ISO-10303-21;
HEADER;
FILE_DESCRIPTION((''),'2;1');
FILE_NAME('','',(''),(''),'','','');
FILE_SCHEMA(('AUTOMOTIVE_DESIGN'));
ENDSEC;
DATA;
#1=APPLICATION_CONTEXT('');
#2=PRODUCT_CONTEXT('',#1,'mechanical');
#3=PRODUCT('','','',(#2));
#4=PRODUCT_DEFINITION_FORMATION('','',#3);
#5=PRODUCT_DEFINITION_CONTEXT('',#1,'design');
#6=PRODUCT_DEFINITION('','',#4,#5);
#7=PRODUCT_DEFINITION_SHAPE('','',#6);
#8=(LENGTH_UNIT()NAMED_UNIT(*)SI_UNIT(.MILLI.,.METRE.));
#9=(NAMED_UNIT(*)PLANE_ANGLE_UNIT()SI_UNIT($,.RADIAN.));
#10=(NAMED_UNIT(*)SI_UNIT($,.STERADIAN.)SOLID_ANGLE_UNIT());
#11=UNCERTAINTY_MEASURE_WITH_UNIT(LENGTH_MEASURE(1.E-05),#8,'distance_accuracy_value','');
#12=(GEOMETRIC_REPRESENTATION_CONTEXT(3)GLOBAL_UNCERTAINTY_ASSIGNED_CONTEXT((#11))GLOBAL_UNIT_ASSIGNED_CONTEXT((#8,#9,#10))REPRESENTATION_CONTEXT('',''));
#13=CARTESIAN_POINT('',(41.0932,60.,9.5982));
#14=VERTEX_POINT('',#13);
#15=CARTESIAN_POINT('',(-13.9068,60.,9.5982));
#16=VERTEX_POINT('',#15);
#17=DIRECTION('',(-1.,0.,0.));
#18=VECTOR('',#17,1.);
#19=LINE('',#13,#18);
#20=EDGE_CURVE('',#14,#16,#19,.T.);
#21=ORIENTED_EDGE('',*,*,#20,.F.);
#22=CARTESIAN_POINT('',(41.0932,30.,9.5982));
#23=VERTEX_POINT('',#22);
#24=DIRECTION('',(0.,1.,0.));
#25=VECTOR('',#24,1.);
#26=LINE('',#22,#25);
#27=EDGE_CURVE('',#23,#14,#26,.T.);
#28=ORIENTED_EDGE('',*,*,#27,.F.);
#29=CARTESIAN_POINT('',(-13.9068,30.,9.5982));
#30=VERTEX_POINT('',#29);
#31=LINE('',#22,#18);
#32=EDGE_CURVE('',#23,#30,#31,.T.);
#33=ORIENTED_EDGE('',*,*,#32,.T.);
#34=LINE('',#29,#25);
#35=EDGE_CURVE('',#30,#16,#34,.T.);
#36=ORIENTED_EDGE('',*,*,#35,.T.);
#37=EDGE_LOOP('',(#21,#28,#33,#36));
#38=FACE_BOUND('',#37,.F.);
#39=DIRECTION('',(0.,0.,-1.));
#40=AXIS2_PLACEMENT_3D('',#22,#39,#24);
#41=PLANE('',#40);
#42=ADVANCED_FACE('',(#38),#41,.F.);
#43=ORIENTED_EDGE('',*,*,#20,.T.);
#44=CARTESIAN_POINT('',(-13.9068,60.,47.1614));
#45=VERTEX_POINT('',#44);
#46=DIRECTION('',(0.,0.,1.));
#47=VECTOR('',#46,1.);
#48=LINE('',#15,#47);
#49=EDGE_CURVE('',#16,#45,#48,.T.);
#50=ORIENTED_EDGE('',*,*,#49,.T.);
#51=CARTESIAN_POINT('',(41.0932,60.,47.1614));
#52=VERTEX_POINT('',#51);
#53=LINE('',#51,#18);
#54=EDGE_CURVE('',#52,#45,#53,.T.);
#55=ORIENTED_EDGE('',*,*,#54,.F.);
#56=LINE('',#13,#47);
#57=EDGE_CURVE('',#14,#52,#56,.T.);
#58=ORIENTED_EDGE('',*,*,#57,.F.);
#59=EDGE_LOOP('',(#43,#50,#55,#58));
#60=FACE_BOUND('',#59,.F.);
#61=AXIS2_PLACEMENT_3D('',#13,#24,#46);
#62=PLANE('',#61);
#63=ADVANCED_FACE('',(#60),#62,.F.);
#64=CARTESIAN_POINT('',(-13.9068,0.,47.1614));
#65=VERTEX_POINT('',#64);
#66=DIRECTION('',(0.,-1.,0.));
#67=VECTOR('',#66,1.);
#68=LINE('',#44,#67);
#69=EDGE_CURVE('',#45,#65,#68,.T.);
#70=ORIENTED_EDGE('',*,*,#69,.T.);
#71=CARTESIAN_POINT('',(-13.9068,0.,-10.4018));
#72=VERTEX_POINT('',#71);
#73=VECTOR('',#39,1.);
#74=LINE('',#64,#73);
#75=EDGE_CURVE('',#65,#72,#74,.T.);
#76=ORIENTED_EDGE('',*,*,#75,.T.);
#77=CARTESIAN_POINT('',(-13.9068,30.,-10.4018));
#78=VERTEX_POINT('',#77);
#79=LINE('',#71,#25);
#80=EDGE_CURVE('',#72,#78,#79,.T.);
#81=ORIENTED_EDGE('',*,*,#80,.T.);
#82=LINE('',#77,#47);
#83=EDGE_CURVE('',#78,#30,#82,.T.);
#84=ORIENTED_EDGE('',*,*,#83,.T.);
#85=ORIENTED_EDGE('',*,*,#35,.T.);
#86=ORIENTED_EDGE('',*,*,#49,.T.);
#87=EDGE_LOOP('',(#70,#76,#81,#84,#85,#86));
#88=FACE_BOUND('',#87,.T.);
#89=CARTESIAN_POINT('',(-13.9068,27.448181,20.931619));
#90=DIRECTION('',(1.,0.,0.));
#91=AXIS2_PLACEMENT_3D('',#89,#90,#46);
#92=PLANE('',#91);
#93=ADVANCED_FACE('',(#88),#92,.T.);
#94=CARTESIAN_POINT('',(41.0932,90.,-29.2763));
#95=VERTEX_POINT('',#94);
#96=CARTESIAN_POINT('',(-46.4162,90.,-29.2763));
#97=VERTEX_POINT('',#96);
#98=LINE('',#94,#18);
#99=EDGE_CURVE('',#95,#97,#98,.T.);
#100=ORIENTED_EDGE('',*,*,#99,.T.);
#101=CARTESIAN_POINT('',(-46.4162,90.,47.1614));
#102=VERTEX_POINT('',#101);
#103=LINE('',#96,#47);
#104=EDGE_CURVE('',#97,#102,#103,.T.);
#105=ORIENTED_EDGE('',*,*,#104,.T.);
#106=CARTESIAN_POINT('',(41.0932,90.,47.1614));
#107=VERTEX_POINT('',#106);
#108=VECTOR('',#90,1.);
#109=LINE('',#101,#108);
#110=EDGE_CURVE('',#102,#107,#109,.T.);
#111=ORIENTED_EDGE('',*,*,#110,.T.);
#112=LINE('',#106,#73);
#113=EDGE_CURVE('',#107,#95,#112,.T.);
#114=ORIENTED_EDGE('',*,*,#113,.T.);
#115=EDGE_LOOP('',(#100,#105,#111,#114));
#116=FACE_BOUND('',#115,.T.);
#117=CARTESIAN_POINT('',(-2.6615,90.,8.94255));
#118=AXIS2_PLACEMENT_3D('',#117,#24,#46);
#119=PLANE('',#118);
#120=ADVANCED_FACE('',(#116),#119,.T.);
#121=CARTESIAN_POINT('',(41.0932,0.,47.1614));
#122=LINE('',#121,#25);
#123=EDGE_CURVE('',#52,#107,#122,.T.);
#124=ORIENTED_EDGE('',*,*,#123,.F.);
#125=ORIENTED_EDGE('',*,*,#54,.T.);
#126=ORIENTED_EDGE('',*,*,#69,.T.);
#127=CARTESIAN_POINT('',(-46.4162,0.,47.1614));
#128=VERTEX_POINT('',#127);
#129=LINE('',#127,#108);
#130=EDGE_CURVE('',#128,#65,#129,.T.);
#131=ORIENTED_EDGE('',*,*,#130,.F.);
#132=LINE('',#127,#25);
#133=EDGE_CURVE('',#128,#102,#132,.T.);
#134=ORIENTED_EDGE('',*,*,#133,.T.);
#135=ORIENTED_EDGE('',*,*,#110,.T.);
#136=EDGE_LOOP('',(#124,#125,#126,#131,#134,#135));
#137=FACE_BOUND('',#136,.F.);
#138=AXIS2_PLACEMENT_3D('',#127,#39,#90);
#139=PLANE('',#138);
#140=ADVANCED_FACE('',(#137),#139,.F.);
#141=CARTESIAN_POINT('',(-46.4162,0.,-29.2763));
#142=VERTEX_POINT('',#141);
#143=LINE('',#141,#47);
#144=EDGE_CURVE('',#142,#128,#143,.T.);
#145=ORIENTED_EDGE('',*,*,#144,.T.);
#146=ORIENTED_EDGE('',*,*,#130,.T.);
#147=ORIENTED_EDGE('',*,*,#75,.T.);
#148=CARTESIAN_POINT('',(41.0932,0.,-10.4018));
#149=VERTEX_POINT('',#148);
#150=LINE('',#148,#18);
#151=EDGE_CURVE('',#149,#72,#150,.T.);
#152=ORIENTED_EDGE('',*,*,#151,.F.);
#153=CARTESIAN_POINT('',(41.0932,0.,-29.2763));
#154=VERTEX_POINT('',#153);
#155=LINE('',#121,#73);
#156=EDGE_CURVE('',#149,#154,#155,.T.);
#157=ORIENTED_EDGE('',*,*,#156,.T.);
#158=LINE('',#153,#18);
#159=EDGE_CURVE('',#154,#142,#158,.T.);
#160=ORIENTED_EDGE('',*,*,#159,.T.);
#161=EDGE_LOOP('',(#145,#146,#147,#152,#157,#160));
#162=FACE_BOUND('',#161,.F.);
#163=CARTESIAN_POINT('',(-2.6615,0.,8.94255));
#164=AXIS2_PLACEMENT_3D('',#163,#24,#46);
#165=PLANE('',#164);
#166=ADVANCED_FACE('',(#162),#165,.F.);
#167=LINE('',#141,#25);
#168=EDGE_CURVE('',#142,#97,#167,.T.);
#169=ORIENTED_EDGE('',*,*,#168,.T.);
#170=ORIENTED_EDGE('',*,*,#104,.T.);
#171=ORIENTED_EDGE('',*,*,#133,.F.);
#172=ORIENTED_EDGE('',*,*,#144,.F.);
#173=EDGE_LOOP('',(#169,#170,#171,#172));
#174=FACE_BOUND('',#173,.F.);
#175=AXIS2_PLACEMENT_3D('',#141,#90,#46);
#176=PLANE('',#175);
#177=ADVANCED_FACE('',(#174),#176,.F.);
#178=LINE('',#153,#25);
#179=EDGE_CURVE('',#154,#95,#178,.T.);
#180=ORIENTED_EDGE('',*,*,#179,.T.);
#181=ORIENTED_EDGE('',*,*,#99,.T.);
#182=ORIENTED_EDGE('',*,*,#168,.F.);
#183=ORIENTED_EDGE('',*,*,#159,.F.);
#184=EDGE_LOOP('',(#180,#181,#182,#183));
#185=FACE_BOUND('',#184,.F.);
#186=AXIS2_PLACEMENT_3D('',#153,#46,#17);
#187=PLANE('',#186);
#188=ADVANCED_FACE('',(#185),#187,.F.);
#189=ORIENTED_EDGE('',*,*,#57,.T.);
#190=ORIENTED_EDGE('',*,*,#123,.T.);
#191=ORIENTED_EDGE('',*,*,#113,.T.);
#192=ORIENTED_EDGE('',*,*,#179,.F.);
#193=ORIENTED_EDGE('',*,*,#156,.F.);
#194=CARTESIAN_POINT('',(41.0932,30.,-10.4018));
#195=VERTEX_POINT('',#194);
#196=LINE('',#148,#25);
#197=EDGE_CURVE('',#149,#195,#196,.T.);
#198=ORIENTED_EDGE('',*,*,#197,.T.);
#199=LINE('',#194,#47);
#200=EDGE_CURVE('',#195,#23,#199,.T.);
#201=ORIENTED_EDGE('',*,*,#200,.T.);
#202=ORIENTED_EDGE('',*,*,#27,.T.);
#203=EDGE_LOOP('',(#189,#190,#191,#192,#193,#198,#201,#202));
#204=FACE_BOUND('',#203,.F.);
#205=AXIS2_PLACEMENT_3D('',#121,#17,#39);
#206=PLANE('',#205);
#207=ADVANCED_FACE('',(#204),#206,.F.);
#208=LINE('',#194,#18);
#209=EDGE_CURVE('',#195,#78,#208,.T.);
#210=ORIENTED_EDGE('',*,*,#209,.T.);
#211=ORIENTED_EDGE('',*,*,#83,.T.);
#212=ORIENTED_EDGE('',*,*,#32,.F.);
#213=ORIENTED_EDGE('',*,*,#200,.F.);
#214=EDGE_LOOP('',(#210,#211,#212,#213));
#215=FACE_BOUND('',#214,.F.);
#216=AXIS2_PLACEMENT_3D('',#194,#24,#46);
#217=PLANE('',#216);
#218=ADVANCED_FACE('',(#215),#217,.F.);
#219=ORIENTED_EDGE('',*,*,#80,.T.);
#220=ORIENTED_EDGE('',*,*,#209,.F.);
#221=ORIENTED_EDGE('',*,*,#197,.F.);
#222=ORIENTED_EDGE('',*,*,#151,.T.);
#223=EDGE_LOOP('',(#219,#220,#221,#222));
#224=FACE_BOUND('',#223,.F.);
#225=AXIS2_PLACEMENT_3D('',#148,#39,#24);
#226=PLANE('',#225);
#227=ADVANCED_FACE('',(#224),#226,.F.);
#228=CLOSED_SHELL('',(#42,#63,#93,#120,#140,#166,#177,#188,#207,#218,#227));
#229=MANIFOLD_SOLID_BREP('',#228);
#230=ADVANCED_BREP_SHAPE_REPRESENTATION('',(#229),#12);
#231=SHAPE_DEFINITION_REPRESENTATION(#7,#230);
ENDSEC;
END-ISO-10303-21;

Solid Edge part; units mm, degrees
sketch "Sketch1" plane through (0, 0, 0) normal (0, -1, 0) x (1, 0, 0)
  line L0 (-46.4162, 47.1614) -> (41.0932, 47.1614)
  line L1 (41.0932, 47.1614) -> (41.0932, -29.2763)
  line L2 (41.0932, -29.2763) -> (-46.4162, -29.2763)
  line L3 (-46.4162, -29.2763) -> (-46.4162, 47.1614)
extrude "Protrusion1" add sketch "Sketch1" against normal blind 90
sketch "Sketch2" plane through (41.0932, 45, 8.9426) normal (1, 0, 0) x (0, 1, 0)
  line L0 (-45, -19.3444) -> (-15, -19.3444)
  line L1 (-15, -19.3444) -> (-15, 0.6556)
  line L2 (-15, 0.6556) -> (15, 0.6556)
  line L3 (15, 0.6556) -> (15, 38.2188)
  line L4 (15, 38.2188) -> (-45, 38.2188)
  line L5 (-45, 38.2188) -> (-45, -19.3444)
extrude "ExtrudedCutout_1" cut sketch "Sketch2" against normal blind 55
